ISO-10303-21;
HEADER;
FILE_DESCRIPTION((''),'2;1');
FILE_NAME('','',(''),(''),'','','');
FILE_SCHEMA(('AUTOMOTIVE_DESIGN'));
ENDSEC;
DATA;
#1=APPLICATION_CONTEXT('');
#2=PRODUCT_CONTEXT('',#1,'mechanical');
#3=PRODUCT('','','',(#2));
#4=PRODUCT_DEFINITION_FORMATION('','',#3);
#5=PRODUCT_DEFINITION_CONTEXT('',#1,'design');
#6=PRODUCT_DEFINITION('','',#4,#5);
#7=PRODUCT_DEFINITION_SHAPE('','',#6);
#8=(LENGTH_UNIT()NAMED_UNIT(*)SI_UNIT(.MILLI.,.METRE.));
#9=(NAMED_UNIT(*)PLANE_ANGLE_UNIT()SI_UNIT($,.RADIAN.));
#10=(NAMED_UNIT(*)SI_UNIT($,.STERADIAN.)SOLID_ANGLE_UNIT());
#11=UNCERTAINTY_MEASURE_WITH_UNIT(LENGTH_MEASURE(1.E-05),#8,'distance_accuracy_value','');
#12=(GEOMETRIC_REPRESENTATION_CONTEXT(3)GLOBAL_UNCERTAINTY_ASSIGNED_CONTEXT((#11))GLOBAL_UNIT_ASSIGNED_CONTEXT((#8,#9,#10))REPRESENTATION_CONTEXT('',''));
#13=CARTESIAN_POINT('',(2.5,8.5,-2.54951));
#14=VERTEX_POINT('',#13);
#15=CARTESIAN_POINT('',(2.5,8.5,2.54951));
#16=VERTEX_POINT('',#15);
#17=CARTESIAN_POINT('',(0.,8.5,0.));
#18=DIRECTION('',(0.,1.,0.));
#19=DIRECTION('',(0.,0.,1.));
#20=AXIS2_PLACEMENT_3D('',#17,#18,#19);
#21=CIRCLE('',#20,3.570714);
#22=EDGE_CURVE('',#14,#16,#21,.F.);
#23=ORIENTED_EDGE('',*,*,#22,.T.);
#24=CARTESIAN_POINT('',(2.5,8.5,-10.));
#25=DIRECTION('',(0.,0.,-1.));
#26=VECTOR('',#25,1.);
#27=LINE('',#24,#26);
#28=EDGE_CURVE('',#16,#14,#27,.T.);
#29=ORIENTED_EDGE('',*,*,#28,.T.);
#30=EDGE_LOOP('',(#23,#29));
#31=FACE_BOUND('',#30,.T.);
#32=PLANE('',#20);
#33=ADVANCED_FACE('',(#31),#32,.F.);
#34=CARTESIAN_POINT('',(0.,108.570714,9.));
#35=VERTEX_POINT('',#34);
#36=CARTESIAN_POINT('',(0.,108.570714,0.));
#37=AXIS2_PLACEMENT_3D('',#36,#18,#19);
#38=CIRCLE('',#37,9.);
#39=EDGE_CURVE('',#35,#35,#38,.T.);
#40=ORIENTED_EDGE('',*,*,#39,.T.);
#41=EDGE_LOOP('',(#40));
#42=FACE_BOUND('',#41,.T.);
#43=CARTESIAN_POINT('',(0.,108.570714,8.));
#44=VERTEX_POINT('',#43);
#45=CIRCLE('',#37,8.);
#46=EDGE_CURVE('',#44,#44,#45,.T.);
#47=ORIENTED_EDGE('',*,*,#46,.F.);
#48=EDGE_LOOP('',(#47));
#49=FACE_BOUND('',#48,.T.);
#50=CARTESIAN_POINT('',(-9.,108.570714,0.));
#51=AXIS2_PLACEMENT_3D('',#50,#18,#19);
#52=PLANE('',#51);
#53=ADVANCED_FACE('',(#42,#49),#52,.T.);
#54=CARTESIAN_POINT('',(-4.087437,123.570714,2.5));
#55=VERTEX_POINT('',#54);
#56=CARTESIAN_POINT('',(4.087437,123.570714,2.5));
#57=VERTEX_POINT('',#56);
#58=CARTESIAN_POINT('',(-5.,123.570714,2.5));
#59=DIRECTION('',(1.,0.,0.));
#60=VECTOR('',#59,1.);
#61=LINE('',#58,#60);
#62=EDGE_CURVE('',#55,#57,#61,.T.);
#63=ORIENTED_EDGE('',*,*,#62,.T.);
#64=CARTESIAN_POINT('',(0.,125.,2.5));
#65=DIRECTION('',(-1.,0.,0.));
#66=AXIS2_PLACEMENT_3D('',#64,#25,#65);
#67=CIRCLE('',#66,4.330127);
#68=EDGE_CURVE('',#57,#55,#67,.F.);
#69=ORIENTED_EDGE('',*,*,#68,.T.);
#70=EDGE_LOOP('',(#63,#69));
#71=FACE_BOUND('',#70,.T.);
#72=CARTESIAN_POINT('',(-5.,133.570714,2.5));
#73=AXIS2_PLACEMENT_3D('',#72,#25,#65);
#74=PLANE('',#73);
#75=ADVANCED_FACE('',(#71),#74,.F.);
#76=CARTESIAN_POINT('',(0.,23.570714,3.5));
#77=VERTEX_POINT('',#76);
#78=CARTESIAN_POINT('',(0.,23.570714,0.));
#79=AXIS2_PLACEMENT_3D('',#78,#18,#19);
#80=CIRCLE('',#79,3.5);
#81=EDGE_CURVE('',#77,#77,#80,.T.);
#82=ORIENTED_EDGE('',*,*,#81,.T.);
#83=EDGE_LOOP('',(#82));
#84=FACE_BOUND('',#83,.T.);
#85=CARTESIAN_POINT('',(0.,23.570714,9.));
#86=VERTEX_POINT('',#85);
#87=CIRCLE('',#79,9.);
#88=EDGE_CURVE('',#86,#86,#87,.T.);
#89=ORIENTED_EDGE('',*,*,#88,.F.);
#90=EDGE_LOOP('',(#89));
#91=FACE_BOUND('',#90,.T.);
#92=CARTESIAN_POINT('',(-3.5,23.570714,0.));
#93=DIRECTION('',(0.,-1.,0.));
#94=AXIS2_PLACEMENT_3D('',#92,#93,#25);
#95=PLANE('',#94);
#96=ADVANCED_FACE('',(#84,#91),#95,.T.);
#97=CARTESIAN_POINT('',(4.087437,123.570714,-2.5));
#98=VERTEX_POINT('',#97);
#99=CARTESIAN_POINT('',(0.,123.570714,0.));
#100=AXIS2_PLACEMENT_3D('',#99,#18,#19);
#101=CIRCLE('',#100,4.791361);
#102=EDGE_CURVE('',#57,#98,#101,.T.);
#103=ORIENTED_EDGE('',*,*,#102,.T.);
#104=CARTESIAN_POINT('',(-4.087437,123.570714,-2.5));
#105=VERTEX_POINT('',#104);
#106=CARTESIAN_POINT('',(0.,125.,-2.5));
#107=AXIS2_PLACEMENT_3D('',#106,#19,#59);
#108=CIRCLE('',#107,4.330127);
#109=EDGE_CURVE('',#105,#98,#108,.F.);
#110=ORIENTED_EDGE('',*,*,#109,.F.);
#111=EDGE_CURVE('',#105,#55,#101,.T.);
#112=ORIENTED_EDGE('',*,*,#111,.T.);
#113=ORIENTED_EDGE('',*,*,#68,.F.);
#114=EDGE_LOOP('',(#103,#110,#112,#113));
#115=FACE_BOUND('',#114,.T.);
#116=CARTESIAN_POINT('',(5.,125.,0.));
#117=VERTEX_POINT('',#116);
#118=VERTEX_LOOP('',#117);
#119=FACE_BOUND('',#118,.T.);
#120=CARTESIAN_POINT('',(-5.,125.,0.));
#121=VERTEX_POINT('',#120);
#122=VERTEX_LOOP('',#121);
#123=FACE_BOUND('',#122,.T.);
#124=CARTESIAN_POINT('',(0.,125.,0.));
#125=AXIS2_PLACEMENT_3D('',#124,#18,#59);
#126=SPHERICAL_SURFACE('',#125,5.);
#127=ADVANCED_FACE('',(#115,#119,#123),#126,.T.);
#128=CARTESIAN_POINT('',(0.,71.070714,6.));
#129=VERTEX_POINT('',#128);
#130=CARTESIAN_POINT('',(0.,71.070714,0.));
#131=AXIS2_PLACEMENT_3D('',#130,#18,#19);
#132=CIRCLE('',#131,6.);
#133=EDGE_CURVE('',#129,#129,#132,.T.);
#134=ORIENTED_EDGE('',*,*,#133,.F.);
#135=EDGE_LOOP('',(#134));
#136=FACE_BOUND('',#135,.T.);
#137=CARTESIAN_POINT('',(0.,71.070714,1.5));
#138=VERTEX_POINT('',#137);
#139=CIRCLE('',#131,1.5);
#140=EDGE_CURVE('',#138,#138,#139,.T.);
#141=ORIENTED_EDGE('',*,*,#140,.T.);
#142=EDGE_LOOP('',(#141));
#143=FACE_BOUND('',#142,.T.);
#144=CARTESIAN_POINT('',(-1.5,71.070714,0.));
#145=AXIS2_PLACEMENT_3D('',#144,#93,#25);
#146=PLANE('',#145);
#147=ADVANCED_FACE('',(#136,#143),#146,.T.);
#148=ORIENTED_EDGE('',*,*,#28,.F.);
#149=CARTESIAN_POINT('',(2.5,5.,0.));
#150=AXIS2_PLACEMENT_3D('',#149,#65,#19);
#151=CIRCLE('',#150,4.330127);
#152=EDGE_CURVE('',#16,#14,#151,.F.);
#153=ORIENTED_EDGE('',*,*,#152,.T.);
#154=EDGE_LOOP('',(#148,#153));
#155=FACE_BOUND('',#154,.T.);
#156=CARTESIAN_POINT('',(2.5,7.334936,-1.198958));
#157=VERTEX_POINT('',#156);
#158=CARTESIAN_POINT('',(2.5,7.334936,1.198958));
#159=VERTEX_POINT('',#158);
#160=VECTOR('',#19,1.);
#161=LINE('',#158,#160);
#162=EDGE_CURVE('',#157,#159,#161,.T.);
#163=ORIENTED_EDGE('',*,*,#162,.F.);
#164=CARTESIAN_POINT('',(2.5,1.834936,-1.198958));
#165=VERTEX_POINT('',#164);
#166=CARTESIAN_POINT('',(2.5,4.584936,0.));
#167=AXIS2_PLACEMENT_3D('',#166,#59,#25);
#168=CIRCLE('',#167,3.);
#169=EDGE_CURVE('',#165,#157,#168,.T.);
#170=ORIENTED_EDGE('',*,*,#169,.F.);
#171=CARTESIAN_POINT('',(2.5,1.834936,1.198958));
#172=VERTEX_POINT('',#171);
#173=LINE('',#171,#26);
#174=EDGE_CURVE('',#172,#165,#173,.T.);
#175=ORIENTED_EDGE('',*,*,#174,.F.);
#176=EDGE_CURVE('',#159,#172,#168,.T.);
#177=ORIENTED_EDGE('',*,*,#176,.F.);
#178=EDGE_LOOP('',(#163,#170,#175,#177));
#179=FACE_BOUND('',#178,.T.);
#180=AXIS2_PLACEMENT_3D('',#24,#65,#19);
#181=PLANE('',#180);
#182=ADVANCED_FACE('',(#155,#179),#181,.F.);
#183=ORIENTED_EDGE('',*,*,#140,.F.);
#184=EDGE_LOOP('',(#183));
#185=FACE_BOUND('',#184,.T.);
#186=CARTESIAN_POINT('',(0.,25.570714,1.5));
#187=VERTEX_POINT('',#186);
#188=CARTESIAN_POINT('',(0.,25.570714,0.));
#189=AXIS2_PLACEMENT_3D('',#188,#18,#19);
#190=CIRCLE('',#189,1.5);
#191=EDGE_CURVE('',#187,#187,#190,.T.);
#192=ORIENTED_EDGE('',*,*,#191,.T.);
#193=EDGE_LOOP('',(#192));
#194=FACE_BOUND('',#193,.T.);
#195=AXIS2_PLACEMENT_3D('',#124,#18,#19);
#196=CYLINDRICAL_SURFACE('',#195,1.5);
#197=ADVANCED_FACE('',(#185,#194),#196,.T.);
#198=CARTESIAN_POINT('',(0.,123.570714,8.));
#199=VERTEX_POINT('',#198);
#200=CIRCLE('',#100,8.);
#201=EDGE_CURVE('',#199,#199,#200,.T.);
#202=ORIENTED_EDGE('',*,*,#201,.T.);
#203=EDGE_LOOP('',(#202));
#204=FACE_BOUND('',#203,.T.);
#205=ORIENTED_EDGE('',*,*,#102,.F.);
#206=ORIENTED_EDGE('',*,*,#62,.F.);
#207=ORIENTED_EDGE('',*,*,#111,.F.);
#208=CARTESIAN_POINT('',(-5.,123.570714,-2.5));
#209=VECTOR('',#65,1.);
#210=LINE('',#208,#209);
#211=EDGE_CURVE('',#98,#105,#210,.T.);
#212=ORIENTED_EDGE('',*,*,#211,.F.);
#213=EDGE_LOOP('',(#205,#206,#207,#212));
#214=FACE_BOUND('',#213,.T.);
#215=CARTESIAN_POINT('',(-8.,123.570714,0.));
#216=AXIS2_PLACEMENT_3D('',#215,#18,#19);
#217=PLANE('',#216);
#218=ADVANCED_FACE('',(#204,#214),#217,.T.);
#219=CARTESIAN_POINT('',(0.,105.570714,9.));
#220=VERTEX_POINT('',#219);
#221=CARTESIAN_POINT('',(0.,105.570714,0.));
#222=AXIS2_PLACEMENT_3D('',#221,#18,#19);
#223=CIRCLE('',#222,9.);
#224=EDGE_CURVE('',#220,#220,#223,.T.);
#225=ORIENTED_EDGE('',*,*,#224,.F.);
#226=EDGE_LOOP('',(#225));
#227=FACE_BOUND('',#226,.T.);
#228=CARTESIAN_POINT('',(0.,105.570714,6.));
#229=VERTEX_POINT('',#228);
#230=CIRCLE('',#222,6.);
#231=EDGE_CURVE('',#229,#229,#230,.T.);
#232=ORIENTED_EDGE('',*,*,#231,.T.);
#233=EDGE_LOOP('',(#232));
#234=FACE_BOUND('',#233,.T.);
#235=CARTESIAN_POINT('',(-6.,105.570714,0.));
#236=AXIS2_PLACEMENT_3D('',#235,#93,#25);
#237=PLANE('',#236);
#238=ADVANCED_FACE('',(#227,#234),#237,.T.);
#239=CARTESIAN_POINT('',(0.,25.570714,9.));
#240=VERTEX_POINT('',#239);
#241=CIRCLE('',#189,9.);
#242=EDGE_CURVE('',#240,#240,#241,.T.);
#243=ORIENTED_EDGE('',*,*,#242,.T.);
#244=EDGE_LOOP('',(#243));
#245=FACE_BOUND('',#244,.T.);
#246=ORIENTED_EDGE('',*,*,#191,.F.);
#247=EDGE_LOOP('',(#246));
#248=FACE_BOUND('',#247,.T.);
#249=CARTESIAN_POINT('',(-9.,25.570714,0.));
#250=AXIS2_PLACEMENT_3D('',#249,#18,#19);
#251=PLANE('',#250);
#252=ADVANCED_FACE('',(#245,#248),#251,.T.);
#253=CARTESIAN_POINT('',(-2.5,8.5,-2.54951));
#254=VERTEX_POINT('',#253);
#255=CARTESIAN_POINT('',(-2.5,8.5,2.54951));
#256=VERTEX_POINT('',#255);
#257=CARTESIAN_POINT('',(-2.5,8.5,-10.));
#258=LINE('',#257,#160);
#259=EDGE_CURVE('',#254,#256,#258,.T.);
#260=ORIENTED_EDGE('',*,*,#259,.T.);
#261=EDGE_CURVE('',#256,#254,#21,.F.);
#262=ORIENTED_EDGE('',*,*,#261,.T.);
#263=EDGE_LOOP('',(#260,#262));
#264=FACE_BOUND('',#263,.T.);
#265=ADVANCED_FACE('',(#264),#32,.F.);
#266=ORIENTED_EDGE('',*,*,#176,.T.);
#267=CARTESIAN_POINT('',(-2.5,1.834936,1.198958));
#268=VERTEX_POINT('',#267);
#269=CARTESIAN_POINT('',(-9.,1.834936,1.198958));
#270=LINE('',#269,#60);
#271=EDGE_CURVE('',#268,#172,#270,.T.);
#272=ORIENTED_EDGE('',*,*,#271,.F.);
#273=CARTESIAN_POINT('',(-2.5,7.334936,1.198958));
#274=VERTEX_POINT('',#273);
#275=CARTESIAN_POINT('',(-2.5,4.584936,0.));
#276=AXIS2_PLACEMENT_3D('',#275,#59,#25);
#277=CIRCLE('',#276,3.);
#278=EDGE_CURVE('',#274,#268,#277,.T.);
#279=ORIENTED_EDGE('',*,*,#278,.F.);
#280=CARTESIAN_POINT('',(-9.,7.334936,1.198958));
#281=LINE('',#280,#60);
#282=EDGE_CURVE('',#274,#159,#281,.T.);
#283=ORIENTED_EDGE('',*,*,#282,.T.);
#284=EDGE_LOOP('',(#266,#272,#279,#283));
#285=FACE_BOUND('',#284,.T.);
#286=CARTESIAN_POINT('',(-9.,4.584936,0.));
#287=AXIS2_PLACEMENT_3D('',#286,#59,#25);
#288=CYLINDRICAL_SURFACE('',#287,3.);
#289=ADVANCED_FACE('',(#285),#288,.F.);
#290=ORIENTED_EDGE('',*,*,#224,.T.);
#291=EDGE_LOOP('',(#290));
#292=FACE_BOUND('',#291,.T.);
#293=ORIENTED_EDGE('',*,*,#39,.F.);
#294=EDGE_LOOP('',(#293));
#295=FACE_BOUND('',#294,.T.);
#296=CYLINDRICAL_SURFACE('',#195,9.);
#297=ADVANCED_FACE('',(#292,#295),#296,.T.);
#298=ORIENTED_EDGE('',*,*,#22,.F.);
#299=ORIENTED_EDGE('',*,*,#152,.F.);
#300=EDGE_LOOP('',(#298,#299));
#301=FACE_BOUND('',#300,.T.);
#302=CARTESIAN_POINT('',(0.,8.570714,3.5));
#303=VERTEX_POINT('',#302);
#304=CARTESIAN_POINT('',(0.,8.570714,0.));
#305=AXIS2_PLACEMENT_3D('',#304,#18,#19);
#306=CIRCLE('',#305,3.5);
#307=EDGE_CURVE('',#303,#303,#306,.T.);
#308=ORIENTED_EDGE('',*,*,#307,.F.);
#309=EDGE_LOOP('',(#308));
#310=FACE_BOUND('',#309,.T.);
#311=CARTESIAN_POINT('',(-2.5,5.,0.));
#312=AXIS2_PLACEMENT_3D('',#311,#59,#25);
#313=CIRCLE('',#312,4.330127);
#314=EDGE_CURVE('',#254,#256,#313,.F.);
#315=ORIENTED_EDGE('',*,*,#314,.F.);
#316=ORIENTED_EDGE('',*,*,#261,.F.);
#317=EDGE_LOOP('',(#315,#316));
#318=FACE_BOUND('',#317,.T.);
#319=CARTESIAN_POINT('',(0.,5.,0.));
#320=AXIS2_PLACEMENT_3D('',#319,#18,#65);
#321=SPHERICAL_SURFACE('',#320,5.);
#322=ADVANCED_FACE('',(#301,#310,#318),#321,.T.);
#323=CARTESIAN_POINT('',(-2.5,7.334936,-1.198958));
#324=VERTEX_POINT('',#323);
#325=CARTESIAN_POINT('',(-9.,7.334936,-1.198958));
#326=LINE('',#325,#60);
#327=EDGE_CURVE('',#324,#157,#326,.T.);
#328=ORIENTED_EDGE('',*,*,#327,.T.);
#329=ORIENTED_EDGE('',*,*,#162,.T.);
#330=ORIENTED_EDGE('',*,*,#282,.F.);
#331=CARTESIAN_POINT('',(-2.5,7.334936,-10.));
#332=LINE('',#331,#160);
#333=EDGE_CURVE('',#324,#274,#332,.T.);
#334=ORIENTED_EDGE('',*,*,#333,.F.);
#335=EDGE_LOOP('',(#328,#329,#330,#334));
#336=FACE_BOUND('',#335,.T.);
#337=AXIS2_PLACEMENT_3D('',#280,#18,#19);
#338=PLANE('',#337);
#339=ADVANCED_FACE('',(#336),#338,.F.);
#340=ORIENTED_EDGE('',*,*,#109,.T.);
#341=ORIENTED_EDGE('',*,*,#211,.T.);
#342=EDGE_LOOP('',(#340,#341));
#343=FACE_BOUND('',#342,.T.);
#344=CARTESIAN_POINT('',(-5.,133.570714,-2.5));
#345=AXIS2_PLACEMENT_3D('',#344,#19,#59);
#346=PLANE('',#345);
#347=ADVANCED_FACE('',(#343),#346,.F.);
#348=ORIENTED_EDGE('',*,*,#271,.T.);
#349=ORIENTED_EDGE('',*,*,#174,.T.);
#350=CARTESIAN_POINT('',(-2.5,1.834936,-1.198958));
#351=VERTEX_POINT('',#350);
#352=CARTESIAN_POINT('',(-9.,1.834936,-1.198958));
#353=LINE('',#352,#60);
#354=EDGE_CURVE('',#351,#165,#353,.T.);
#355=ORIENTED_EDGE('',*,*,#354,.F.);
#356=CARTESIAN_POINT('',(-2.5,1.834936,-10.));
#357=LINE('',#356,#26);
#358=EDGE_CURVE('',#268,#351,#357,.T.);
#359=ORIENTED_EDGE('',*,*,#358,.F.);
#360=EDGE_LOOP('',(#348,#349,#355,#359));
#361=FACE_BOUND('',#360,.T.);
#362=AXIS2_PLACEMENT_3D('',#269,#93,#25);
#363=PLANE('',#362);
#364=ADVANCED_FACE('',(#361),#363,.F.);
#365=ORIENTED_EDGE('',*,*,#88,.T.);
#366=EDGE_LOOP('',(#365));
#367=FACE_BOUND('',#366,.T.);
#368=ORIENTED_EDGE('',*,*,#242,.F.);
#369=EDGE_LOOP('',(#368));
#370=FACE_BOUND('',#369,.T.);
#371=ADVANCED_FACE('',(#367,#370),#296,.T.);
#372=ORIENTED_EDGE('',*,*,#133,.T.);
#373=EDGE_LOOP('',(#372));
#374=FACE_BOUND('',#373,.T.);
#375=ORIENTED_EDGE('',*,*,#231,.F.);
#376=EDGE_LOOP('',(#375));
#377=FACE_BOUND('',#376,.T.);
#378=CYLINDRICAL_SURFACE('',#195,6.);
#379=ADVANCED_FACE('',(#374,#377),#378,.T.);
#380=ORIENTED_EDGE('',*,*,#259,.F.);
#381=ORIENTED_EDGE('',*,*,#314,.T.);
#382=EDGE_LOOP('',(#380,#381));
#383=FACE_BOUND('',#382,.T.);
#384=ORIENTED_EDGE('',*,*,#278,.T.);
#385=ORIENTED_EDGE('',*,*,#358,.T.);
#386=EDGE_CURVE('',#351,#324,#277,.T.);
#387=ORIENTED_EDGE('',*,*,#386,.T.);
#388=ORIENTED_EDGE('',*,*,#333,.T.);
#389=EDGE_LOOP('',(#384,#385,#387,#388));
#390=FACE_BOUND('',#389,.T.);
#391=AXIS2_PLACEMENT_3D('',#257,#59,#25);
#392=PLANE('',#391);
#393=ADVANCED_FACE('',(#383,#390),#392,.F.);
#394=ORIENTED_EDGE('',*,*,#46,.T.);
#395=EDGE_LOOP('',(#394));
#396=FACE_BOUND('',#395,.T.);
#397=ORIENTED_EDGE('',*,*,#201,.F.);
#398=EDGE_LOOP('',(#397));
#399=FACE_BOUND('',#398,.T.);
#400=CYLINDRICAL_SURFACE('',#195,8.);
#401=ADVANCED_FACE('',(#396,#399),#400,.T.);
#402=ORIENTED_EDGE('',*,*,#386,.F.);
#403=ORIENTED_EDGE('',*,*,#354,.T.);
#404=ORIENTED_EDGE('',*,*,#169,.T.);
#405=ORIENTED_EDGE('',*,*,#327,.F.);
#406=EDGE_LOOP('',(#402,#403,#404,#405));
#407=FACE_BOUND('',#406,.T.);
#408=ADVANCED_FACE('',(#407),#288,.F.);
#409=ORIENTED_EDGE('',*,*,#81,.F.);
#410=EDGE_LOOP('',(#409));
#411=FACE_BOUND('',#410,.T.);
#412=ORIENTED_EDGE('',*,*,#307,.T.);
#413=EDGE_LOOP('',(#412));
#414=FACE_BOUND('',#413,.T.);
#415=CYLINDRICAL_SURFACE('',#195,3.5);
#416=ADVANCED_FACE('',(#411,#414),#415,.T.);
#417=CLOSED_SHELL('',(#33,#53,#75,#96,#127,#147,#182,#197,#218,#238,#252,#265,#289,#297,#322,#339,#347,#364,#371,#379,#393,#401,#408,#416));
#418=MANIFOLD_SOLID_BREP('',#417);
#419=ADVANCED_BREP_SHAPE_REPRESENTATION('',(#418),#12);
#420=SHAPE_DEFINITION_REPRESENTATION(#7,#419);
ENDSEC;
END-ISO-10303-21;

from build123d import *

# Parameters (mm, degrees)
SKETCH_2_OUTSIDE_W   = 46.494
SKETCH_2_OUTSIDE_H   = 46.494
SKETCH_2_OUTSIDE_W_2 = 10
SKETCH_2_OUTSIDE_H_2 = 5
CUT_EXTRUDE_1_DEPTH  = 10
SKETCH_3_OUTSIDE_W   = 46.494
SKETCH_3_OUTSIDE_H   = 46.494
SKETCH_3_OUTSIDE_W_2 = 5
SKETCH_3_OUTSIDE_H_2 = 20
CUT_EXTRUDE_2_DEPTH  = 8.5
CUT_EXTRUDE_3_DEPTH  = 131.817621137


with BuildPart() as part:
    # Эскиз1 → Повернуть2 (revolve)
    with BuildSketch(Plane.XY, mode=Mode.PRIVATE) as revolve_2_sk:
        with BuildLine():
            Line((-3.5, 8.570714214), (-3.5, 23.570714214))
            Line((-3.5, 23.570714214), (-9, 23.570714214))
            Line((-9, 23.570714214), (-9, 25.570714214))
            Line((-9, 25.570714214), (-1.5, 25.570714214))
            Line((-1.5, 25.570714214), (-1.5, 71.070714214))
            Line((-1.5, 71.070714214), (-6, 71.070714214))
            Line((-6, 71.070714214), (-6, 105.570714214))
            Line((-6, 105.570714214), (-9, 105.570714214))
            Line((-9, 105.570714214), (-9, 108.570714214))
            Line((-9, 108.570714214), (-8, 108.570714214))
            Line((-8, 108.570714214), (-8, 123.570714214))
            Line((-8, 123.570714214), (-4.791361199, 123.570714214))
            ThreePointArc((-4.791361199, 123.570714214), (-4.009141362, 127.987772671), (0, 130))
            Line((0, 130), (0, 125))
            Line((0, 125), (0, 0))
            ThreePointArc((0, 0), (-4.628907596, 3.109705191), (-3.5, 8.570714214))
        make_face()
    revolve(revolve_2_sk.sketch.rotate(Axis((0, 125, 0), (0, -1, 0)), 270), axis=Axis((0, 125, 0), (0, -1, 0)))

    # Эскиз2 outside → Вырез-Вытянуть1 (cut)
    with BuildSketch(Plane(origin=(0, 123.570714214, 0), x_dir=(1, 0, 0), z_dir=(0, 1, 0))):
        Rectangle(SKETCH_2_OUTSIDE_W, SKETCH_2_OUTSIDE_H)
        Rectangle(SKETCH_2_OUTSIDE_W_2, SKETCH_2_OUTSIDE_H_2, mode=Mode.SUBTRACT)
    extrude(amount=CUT_EXTRUDE_1_DEPTH, mode=Mode.SUBTRACT)

    # Эскиз3 outside → Вырез-Вытянуть2 (cut)
    with BuildSketch(Plane(origin=(0, 0, 0), x_dir=(1, 0, 0), z_dir=(0, 1, 0))):
        Rectangle(SKETCH_3_OUTSIDE_W, SKETCH_3_OUTSIDE_H)
        Rectangle(SKETCH_3_OUTSIDE_W_2, SKETCH_3_OUTSIDE_H_2, mode=Mode.SUBTRACT)
    extrude(amount=CUT_EXTRUDE_2_DEPTH, mode=Mode.SUBTRACT)

    # Эскиз4 → Вырез-Вытянуть3 (cut, through all)
    with BuildSketch(Plane(origin=(2.5, 0, 0), x_dir=(0, 0, -1), z_dir=(1, 0, 0))):
        with BuildLine():
            Line((-1.198957881, 7.334936491), (1.198957881, 7.334936491))
            ThreePointArc((1.198957881, 7.334936491), (3, 4.584936491), (1.198957881, 1.834936491))
            Line((1.198957881, 1.834936491), (-1.198957881, 1.834936491))
            ThreePointArc((-1.198957881, 1.834936491), (-3, 4.584936491), (-1.198957881, 7.334936491))
        make_face()
    extrude(amount=-CUT_EXTRUDE_3_DEPTH, mode=Mode.SUBTRACT)


solid = part.part
